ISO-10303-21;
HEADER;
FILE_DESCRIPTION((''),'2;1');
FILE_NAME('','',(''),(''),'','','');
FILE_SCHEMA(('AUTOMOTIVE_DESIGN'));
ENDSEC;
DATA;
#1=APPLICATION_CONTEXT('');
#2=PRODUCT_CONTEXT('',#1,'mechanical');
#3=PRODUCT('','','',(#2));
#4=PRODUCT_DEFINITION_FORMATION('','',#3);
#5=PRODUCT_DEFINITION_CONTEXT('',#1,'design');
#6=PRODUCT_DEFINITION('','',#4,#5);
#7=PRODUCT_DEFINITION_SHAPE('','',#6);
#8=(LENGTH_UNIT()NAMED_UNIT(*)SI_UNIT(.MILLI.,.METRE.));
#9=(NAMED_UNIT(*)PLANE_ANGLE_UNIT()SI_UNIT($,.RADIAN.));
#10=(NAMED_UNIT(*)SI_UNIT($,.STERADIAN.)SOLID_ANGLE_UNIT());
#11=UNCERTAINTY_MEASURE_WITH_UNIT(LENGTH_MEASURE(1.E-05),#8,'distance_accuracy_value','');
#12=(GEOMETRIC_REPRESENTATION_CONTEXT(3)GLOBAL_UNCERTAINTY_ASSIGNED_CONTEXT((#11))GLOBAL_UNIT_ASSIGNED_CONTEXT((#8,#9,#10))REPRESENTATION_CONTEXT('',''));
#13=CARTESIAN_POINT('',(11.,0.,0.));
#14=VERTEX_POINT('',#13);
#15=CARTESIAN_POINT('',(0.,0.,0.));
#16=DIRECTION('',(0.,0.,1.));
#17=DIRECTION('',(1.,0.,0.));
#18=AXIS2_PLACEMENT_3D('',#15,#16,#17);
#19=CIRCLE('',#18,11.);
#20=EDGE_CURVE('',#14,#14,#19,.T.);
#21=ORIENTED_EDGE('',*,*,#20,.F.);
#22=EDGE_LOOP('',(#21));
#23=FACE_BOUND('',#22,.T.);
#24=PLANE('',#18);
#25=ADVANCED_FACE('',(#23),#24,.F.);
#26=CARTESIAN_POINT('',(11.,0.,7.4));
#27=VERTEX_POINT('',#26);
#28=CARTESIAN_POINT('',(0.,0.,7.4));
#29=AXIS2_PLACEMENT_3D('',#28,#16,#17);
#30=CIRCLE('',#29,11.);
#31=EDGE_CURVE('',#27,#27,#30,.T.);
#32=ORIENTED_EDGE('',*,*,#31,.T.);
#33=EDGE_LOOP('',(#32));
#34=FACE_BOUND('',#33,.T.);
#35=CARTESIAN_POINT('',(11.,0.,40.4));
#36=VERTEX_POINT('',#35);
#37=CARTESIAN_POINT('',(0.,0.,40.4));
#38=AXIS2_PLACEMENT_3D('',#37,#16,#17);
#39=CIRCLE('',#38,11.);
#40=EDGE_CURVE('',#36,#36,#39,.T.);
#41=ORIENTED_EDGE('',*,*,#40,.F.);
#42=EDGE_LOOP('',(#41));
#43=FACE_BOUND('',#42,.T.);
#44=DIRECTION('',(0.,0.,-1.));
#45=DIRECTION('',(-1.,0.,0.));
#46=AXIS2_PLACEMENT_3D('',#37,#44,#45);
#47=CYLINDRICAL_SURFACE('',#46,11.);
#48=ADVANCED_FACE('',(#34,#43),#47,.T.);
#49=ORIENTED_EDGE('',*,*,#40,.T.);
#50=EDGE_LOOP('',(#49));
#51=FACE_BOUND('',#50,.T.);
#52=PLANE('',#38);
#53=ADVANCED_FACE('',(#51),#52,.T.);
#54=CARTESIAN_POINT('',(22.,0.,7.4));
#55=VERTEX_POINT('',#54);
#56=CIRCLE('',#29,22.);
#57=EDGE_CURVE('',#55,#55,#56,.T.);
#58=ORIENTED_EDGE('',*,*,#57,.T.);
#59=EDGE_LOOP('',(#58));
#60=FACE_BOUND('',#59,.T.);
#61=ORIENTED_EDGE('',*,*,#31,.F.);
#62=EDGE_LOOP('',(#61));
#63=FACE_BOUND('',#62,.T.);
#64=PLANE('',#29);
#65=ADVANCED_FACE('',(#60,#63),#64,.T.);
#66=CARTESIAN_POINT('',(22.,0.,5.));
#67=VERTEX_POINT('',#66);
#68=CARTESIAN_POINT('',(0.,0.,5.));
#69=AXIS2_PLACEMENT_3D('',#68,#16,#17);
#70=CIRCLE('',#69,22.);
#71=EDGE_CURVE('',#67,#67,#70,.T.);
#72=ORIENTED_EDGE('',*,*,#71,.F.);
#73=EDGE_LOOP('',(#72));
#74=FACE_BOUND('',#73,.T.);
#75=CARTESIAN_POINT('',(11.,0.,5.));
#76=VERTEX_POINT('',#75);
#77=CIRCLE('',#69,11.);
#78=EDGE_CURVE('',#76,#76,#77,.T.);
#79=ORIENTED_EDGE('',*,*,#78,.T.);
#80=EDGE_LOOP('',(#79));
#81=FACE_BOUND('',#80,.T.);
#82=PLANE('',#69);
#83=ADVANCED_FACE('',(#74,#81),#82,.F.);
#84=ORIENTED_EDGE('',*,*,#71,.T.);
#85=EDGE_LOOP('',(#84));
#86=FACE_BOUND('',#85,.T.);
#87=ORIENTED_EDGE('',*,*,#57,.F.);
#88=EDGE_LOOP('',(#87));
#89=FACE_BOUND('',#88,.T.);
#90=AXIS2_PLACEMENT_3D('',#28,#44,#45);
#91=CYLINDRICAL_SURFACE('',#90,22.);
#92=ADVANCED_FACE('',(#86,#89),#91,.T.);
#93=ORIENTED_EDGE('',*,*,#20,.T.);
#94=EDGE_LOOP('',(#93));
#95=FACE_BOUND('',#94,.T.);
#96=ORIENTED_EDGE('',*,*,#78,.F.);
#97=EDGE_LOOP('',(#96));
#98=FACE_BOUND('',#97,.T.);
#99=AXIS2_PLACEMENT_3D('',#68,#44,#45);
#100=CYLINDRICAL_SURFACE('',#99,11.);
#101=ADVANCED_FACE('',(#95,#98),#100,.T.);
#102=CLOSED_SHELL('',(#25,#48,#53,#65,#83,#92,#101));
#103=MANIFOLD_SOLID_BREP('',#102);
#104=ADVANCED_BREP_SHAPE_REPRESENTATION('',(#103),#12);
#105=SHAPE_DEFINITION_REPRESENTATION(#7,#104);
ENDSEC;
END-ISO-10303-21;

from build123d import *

# Parameters (mm, degrees)
SKETCH1_R           = 11
BOSS_EXTRUDE2_DEPTH = 5
SKETCH3_R           = 22
BOSS_EXTRUDE3_DEPTH = 2.4
SKETCH4_R           = 11
BOSS_EXTRUDE4_DEPTH = 33


with BuildPart() as part:
    # Sketch1 → Boss-Extrude2 (new body)
    with BuildSketch(Plane.XY):
        Circle(SKETCH1_R)
    extrude(amount=BOSS_EXTRUDE2_DEPTH)

    # Sketch3 → Boss-Extrude3 (add)
    with BuildSketch(Plane.XY.offset(5)):
        Circle(SKETCH3_R)
    extrude(amount=BOSS_EXTRUDE3_DEPTH)

    # Sketch4 → Boss-Extrude4 (add)
    with BuildSketch(Plane.XY.offset(7.4)):
        Circle(SKETCH4_R)
    extrude(amount=BOSS_EXTRUDE4_DEPTH)


solid = part.part
